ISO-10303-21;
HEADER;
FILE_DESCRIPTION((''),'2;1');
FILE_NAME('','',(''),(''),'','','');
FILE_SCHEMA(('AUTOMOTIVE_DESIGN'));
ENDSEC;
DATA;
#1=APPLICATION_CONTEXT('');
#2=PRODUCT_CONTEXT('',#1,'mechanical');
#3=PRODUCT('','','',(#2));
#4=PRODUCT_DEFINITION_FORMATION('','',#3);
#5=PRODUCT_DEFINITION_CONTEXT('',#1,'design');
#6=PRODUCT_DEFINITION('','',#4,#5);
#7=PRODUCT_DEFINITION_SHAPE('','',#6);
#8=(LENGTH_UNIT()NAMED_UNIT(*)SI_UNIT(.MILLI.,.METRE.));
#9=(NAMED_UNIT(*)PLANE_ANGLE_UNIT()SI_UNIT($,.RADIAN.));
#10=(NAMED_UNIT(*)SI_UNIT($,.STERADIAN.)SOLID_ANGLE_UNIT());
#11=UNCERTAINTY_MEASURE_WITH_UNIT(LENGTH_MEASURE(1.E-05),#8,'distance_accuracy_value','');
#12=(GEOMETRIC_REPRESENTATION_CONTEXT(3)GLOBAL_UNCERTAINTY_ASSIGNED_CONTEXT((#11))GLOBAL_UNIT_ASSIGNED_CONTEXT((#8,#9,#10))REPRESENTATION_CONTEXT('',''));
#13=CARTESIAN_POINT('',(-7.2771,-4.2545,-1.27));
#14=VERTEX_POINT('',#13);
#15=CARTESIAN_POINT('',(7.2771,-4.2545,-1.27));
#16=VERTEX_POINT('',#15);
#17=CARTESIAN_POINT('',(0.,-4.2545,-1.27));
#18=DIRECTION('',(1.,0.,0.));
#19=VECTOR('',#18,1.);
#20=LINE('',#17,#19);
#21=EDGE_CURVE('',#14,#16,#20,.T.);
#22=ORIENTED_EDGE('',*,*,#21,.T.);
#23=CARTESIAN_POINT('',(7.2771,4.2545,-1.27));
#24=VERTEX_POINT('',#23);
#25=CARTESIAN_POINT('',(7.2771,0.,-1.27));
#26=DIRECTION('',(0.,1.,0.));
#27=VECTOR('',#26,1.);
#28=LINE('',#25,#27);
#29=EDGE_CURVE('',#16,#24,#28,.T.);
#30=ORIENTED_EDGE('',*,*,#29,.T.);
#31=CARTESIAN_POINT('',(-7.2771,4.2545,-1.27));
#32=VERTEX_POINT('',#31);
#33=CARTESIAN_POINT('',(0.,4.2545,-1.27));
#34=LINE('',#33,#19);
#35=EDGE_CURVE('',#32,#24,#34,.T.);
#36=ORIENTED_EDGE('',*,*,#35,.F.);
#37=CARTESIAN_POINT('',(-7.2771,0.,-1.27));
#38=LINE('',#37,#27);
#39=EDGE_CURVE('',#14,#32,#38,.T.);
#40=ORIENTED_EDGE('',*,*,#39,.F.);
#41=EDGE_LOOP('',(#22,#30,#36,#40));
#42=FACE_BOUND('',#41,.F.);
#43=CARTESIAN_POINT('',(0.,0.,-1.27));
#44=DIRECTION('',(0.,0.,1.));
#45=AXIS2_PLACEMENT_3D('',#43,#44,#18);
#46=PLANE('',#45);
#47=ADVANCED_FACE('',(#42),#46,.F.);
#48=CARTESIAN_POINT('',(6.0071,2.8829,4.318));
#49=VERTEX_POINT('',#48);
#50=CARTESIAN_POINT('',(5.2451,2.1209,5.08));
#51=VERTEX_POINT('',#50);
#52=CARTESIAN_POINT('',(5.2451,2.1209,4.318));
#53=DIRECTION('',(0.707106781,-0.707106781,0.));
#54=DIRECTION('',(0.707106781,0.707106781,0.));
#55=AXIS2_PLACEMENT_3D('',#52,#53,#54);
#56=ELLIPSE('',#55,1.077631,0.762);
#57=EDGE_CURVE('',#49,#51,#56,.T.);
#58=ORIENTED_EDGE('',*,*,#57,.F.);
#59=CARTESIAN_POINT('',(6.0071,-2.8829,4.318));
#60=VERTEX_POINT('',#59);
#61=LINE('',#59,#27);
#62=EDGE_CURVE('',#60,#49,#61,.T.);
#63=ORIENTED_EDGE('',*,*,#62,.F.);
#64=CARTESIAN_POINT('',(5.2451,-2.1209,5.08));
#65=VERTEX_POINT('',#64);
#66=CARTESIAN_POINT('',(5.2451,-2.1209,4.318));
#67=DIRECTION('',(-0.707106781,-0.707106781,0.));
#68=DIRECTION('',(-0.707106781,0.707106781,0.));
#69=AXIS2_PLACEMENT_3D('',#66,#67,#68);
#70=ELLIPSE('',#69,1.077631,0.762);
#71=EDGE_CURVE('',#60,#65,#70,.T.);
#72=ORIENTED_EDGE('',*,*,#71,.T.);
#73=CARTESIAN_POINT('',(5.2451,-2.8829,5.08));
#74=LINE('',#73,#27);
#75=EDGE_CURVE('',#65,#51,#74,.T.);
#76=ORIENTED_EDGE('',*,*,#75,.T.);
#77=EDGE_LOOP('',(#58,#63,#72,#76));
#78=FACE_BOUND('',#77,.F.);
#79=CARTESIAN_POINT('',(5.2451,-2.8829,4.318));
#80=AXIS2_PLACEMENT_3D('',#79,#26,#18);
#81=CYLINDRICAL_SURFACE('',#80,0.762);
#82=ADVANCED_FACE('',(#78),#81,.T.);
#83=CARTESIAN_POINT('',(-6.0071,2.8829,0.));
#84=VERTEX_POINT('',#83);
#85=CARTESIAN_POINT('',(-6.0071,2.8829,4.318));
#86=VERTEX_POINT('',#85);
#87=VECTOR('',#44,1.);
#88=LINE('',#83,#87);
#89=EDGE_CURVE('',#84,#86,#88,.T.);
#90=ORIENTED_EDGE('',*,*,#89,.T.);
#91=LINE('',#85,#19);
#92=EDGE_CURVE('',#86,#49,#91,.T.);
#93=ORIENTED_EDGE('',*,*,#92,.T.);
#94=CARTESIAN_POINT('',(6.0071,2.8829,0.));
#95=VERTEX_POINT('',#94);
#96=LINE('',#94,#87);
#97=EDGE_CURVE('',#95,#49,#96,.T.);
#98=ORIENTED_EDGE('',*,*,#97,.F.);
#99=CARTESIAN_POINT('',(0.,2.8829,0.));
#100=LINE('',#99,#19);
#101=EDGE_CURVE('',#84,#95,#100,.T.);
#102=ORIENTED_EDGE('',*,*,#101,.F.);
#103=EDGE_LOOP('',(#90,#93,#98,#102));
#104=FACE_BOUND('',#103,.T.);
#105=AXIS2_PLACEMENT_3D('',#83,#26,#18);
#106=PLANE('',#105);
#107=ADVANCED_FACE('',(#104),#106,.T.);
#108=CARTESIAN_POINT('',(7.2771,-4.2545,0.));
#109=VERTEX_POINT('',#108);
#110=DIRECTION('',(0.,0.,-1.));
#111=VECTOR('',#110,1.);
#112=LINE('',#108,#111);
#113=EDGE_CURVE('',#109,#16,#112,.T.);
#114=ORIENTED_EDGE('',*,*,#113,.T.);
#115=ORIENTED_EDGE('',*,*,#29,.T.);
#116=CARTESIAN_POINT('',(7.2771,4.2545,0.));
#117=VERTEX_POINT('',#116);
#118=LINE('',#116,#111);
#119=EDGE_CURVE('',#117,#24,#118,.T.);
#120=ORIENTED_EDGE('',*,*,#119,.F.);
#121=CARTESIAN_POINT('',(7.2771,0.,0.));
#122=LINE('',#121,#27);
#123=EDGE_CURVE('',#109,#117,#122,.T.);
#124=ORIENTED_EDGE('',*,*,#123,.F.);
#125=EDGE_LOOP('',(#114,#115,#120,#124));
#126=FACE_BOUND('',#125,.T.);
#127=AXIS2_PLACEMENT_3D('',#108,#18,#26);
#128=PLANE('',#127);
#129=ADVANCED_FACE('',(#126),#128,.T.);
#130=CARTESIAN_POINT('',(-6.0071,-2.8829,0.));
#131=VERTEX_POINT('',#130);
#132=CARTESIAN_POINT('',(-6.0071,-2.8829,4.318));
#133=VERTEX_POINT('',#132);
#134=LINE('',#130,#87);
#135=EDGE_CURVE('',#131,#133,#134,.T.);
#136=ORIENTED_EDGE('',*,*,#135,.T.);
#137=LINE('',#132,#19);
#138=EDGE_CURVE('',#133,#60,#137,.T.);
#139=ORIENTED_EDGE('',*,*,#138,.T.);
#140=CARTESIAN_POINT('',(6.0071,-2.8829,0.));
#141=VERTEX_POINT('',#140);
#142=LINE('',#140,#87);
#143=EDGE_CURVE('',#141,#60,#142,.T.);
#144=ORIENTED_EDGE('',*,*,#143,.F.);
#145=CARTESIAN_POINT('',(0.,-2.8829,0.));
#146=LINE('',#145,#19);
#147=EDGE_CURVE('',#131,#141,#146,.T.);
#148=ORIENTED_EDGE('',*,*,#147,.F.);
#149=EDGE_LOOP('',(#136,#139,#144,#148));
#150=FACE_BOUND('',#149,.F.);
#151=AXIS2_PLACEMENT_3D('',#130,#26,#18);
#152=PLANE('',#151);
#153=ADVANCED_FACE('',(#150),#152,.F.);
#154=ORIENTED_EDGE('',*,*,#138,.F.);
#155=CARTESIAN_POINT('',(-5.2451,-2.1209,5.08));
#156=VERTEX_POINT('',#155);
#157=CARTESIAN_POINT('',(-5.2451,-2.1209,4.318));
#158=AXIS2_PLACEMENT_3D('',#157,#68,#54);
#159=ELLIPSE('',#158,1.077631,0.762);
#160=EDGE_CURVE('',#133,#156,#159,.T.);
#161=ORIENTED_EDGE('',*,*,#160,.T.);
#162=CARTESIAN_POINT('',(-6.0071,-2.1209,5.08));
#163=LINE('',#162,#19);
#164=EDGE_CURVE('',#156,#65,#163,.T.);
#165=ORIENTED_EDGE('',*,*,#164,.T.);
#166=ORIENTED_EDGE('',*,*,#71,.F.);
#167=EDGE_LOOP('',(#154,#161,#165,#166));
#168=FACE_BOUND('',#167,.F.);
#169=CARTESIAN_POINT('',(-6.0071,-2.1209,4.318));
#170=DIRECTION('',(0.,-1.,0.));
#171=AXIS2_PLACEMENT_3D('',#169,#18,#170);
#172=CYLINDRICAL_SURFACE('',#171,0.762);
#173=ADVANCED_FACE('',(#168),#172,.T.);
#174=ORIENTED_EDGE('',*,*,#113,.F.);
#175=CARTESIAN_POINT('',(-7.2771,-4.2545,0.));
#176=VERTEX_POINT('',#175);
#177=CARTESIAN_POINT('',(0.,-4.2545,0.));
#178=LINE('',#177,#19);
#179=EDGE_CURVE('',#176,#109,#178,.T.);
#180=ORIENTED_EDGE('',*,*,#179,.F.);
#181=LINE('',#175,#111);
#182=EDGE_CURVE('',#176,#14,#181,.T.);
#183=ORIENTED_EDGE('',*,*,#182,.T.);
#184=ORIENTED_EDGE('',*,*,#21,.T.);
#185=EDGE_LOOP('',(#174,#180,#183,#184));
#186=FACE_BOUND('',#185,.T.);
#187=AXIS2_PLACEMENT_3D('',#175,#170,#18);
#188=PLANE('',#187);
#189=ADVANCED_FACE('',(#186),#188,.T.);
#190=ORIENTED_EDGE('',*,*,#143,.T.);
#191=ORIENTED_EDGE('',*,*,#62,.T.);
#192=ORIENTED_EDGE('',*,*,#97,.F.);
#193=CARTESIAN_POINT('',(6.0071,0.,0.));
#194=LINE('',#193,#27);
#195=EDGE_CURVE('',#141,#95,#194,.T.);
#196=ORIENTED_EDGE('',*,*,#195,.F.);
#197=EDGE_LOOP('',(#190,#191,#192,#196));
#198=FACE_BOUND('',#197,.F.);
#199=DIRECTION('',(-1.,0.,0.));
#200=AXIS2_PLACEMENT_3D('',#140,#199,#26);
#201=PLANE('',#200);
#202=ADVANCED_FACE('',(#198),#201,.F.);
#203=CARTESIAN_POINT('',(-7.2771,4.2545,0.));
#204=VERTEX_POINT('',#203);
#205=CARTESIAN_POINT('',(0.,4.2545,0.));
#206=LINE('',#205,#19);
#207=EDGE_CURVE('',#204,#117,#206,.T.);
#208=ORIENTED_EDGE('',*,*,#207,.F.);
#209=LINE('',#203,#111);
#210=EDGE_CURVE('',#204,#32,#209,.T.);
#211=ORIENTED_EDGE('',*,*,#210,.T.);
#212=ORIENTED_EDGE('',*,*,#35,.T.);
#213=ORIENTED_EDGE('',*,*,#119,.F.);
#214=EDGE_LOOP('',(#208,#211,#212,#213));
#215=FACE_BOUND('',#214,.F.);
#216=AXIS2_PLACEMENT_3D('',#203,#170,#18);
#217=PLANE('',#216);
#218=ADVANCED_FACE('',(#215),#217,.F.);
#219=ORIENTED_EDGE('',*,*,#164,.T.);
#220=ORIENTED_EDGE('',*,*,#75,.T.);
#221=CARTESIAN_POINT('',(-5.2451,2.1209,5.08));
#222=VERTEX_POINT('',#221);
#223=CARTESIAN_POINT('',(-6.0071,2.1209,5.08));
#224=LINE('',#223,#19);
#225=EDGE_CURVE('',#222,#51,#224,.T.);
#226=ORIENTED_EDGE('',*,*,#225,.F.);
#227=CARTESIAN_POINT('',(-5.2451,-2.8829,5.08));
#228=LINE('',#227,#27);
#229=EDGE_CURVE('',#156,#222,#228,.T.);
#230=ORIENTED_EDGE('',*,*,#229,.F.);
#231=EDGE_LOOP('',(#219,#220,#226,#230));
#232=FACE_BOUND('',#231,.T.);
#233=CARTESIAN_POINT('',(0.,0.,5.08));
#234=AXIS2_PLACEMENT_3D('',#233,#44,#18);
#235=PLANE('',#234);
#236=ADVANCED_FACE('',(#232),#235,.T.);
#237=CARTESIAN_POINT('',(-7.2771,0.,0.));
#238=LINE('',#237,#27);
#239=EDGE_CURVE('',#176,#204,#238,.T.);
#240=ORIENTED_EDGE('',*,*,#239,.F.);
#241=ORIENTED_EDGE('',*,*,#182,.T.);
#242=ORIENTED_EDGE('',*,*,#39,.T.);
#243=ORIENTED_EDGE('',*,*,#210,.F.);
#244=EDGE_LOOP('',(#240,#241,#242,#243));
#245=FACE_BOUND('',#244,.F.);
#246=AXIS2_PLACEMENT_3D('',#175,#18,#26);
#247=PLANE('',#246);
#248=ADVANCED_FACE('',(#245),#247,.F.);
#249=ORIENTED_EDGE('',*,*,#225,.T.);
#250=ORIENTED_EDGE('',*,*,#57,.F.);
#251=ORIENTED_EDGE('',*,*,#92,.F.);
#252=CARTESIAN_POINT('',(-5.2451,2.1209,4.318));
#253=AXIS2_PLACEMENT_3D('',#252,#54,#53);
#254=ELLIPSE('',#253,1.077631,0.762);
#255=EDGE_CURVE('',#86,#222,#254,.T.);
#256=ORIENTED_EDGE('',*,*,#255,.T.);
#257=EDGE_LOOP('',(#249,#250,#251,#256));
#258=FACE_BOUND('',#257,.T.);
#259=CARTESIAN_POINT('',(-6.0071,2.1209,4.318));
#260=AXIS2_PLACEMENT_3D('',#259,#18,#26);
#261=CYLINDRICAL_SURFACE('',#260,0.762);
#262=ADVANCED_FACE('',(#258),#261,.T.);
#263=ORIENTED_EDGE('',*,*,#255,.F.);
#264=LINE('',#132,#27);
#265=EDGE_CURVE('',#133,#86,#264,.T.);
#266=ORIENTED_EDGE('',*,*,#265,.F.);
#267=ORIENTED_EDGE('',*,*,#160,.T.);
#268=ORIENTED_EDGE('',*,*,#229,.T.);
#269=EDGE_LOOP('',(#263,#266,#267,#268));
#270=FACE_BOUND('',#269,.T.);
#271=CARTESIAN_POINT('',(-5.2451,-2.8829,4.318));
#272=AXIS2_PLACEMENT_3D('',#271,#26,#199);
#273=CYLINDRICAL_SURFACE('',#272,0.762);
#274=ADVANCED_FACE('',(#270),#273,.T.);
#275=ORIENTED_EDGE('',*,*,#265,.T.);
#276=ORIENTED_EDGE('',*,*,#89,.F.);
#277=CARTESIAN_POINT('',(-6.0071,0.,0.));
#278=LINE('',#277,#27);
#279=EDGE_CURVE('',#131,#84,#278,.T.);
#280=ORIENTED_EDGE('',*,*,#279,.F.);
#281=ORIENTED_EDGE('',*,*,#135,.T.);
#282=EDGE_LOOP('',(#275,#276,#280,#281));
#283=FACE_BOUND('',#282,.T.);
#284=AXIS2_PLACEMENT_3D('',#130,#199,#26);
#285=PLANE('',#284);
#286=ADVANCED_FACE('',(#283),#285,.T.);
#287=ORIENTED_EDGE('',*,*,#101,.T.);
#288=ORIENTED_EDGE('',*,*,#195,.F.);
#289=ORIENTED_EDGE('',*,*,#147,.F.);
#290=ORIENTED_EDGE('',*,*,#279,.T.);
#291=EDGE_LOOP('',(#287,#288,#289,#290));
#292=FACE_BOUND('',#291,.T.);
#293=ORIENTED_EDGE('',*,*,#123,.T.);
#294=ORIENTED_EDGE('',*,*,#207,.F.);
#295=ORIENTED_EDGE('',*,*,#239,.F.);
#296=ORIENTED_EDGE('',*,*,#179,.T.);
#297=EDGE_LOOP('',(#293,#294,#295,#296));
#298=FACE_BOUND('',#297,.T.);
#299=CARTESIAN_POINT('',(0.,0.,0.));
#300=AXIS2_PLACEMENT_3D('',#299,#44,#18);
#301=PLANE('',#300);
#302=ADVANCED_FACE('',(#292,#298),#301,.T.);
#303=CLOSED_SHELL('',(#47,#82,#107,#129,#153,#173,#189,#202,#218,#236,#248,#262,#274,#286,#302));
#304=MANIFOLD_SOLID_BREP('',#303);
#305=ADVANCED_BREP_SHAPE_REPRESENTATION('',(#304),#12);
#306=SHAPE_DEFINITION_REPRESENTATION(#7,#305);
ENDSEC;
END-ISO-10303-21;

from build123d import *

# Parameters (mm, degrees)
F0_W     = 12.0142
F0_H     = 5.7658
F1_DEPTH = 5.08
F2_W     = 14.5542
F2_H     = 8.509
F3_DEPTH = 1.27
F4_R     = 0.762


with BuildPart() as f1:
    # F0 (on Top) → F1 (new body)
    with BuildSketch(Plane.XY):
        Rectangle(F0_W, F0_H)
    extrude(amount=F1_DEPTH)

    # F2 (on Top) → F3 (join)
    with BuildSketch(Plane.XY):
        Rectangle(F2_W, F2_H)
    extrude(amount=-F3_DEPTH)

    # F4
    f4_edges = [f1.edges().sort_by_distance(p)[0] for p in [
        (6.0071, 0, 5.08),
        (0, 2.8829, 5.08),
        (-6.0071, 0, 5.08),
        (0, -2.8829, 5.08),
    ]]
    fillet(f4_edges, radius=F4_R)


solid = f1.part
